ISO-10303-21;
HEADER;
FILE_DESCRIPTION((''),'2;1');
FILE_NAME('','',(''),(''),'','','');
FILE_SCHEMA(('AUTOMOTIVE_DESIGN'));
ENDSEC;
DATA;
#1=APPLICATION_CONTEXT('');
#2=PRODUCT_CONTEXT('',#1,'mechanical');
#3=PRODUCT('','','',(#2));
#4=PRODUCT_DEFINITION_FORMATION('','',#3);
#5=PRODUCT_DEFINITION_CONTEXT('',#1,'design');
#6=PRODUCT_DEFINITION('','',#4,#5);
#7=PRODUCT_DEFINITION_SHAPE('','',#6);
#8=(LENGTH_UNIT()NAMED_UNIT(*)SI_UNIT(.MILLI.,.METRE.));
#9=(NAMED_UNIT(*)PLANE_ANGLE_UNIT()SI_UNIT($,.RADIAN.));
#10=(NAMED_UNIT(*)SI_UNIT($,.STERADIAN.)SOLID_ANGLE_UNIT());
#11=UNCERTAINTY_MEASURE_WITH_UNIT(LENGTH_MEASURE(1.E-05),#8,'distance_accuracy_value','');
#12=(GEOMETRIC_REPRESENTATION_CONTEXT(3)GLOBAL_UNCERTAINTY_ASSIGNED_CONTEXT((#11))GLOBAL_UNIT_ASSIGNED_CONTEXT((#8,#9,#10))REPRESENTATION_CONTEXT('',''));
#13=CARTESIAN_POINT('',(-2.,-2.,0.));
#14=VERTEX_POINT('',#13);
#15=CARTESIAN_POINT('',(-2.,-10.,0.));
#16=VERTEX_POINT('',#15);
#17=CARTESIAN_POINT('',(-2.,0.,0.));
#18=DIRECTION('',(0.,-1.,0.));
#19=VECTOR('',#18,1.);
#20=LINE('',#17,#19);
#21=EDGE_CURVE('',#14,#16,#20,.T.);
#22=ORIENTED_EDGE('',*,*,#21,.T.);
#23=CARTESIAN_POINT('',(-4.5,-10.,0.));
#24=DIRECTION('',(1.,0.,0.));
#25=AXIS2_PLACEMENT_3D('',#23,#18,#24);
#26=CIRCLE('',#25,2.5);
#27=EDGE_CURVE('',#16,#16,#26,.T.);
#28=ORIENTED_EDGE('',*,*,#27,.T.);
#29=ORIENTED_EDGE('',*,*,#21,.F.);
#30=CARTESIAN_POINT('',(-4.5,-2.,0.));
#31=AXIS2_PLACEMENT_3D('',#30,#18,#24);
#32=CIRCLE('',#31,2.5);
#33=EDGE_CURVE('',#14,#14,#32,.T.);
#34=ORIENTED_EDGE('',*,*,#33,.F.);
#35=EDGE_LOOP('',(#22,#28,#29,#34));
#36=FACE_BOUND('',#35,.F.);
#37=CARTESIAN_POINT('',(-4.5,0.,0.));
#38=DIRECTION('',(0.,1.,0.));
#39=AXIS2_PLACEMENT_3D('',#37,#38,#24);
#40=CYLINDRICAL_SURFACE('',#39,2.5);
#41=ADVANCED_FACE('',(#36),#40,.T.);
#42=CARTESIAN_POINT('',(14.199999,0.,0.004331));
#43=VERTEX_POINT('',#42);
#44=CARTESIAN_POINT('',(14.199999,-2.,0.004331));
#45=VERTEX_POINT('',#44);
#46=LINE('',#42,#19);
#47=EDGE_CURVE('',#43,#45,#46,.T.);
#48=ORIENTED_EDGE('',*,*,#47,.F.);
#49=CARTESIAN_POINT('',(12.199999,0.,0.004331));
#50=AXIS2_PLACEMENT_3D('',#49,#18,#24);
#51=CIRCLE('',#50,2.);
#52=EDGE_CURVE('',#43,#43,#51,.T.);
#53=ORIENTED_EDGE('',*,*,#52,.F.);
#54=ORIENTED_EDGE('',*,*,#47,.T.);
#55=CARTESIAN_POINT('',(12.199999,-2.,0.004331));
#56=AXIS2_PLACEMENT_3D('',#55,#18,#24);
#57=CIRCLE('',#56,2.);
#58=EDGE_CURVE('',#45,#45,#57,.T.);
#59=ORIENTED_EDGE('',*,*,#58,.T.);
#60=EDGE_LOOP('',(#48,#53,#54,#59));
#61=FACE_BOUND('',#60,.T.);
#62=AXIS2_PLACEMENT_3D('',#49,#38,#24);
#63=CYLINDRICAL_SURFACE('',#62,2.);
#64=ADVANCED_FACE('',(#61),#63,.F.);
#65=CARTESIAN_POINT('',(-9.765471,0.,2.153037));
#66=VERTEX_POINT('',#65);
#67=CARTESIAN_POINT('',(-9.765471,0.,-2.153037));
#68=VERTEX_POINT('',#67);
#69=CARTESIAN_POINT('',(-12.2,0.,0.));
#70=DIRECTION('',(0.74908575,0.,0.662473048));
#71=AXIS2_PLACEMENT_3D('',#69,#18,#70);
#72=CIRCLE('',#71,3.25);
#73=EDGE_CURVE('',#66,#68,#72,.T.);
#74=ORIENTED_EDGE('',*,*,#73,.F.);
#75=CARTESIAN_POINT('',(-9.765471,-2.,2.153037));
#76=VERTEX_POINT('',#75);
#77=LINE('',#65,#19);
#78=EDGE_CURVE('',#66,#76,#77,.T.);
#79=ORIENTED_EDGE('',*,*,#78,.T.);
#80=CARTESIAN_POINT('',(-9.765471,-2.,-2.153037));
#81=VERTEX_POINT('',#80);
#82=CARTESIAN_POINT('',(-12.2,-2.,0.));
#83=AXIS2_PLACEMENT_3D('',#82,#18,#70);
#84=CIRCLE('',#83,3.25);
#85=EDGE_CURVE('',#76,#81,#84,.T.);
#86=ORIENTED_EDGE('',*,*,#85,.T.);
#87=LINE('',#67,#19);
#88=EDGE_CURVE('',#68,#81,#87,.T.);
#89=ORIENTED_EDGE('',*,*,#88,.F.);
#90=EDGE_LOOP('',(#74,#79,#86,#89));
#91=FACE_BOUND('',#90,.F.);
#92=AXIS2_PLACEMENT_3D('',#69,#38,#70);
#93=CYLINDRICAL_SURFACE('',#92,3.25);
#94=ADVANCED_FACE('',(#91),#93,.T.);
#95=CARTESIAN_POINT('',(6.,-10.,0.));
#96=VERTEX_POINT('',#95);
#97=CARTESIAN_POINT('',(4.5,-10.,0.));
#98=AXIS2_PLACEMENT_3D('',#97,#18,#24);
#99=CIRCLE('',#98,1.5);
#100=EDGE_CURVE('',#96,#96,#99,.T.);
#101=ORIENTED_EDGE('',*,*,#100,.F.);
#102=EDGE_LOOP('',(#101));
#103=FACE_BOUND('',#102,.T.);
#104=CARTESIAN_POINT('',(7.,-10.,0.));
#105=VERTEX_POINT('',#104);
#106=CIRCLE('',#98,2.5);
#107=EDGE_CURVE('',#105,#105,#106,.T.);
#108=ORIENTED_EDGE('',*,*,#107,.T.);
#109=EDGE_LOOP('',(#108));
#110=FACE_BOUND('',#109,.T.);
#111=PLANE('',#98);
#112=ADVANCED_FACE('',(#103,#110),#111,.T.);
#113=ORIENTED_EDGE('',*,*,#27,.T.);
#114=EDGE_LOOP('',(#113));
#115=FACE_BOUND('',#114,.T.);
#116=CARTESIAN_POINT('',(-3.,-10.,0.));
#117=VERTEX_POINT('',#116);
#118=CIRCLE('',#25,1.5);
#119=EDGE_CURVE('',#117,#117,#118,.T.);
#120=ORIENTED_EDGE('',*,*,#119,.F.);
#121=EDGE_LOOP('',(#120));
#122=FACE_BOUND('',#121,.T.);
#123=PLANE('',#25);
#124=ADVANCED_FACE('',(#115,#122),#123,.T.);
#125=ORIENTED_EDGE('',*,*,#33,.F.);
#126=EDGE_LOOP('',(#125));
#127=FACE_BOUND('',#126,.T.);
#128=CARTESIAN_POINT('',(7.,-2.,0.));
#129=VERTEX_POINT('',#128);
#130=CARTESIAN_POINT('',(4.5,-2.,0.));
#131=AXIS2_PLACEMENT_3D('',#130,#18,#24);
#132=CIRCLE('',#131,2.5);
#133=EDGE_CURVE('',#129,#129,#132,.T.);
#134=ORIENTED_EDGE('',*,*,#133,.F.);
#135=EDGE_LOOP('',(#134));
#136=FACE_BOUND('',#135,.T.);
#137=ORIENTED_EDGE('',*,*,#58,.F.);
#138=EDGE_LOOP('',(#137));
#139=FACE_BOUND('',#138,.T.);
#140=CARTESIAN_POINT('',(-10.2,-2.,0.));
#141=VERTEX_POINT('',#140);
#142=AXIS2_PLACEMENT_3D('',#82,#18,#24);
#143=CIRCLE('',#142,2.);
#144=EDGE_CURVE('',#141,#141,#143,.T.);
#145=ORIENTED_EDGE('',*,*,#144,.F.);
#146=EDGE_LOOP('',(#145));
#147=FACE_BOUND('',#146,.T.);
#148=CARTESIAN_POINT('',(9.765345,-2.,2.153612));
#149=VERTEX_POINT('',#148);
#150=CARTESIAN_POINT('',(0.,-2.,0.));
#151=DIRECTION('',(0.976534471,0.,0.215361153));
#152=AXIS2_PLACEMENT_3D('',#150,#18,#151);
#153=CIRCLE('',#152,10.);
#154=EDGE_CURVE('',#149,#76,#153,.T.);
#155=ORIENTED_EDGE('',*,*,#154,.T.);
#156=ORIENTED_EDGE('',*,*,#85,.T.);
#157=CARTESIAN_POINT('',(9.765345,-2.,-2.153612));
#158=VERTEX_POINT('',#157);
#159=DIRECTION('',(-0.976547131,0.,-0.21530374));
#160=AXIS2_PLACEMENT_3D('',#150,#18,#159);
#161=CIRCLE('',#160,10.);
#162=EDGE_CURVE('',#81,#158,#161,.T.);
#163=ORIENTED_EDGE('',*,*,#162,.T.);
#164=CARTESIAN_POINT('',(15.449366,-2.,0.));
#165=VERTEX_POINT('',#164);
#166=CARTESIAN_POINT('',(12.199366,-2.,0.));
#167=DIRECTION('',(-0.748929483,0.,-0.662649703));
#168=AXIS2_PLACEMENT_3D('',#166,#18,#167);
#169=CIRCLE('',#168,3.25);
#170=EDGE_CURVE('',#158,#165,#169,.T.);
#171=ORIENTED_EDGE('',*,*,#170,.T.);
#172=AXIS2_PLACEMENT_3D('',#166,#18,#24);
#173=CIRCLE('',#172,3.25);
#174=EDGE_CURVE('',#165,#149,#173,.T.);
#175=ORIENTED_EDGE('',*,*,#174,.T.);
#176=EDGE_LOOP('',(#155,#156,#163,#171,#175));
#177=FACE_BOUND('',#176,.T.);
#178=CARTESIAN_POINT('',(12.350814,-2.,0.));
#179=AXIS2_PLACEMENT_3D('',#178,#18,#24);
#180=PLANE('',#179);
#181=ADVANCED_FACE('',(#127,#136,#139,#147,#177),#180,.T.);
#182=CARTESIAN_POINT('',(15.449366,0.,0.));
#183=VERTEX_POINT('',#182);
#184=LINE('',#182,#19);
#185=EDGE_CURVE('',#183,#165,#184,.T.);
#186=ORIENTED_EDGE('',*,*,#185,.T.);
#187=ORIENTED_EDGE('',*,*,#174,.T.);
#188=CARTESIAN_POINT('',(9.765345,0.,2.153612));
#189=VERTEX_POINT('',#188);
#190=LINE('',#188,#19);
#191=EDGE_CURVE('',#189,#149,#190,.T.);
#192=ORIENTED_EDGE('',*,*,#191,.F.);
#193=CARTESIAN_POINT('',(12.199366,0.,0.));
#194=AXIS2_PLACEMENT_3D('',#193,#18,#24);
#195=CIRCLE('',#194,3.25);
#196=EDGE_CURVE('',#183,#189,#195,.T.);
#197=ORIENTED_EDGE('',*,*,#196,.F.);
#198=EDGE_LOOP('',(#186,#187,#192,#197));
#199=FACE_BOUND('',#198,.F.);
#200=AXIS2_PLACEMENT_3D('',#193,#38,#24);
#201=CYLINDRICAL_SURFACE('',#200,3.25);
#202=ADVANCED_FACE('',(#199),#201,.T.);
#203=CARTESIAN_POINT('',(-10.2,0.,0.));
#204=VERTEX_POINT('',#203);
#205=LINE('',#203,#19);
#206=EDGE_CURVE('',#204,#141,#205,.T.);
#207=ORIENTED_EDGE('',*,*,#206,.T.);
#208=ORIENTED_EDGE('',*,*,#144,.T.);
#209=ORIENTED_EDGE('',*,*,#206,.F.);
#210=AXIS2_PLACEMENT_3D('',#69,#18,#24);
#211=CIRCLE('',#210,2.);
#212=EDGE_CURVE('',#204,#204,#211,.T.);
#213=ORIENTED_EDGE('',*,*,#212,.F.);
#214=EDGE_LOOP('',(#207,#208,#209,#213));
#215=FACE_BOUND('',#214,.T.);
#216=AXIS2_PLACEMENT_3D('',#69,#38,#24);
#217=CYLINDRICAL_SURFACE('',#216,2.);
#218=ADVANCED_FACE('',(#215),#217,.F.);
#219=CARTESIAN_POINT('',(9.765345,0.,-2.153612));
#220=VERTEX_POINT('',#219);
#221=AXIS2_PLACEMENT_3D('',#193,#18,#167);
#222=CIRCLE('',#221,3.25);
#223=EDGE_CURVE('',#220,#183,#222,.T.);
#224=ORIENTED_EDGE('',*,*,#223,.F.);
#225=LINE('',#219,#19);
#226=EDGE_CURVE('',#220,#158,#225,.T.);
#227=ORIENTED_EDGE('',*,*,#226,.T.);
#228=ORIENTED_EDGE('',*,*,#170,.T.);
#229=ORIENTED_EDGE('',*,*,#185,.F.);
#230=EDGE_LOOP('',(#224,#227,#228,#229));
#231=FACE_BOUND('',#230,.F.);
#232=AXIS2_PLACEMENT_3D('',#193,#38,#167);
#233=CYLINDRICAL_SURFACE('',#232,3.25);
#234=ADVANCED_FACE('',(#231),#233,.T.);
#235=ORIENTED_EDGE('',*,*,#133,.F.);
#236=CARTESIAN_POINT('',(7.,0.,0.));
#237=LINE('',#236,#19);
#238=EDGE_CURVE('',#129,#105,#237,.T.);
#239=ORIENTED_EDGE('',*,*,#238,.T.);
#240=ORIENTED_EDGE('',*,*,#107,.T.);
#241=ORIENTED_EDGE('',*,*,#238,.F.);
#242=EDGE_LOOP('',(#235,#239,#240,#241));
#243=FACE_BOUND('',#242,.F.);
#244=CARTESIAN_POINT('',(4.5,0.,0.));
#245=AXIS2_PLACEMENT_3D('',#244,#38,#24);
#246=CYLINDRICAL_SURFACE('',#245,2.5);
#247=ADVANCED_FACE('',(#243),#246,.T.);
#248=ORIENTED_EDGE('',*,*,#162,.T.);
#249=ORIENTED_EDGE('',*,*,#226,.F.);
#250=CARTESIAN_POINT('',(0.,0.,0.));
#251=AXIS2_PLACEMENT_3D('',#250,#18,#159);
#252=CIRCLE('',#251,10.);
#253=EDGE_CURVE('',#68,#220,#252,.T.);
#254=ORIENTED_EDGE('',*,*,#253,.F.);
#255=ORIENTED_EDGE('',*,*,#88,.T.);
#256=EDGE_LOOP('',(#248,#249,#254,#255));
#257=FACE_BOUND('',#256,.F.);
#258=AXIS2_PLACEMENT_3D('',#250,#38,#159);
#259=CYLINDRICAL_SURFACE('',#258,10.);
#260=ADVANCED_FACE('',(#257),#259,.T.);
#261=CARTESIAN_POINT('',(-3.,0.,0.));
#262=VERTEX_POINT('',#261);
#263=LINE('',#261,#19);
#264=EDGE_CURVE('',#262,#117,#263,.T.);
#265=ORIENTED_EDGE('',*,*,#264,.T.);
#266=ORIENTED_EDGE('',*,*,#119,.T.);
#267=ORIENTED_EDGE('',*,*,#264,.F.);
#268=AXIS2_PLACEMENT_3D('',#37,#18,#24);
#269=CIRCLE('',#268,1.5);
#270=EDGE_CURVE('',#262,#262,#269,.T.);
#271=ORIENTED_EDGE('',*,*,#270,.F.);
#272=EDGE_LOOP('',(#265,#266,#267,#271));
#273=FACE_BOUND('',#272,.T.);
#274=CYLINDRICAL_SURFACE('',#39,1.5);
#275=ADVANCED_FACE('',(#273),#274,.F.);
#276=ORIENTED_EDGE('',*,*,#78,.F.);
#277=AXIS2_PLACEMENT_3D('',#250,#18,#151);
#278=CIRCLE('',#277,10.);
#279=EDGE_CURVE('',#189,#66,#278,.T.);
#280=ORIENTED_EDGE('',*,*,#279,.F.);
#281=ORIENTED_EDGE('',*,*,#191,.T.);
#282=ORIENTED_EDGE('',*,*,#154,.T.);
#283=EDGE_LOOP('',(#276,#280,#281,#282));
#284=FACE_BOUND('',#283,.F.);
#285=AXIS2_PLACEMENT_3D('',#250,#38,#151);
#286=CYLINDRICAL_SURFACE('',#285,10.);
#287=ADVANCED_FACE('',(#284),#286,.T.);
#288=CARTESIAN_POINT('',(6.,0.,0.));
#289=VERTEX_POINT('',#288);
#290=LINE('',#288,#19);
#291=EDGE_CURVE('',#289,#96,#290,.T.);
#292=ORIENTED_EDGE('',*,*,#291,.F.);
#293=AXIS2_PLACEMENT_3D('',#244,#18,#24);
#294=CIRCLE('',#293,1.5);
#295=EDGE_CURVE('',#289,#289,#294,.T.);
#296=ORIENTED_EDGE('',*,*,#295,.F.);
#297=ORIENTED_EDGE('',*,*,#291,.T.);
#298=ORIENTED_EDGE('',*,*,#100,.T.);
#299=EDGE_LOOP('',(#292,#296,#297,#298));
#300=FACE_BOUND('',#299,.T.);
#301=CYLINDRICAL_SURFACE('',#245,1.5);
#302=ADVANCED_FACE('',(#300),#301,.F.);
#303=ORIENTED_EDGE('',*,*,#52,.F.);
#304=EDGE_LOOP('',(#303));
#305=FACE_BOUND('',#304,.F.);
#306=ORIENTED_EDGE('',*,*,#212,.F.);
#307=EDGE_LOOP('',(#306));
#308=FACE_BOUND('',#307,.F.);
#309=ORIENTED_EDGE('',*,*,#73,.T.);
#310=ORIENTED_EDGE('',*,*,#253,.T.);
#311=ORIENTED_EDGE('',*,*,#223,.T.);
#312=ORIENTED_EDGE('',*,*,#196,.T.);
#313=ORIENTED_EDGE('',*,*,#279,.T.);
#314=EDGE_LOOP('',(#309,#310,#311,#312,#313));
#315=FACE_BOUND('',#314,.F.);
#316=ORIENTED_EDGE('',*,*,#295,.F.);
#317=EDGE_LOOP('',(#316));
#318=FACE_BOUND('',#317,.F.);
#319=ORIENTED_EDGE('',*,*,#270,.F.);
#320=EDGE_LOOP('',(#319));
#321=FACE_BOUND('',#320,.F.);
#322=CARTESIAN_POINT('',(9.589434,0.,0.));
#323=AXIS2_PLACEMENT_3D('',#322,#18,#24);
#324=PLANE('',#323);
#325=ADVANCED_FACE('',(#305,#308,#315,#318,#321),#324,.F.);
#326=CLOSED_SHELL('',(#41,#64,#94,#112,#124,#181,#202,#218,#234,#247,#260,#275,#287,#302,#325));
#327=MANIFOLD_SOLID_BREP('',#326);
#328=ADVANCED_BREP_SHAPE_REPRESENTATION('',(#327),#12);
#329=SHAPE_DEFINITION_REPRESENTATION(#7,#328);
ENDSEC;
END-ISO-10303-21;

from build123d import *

# Parameters (mm, degrees)
F0_R     = 2.5
F1_DEPTH = 2
F0_R_2   = 1.5
F2_DEPTH = 10
F3_DEPTH = 2
F0_R_3   = 2
F4_DEPTH = 2
F5_DEPTH = 2


with BuildPart() as f1:
    # F0 (on Front) → F1 (new body)
    with BuildSketch(Plane.XZ):
        with BuildLine():
            ThreePointArc((9.7653447127, -2.1536115346), (8.9493655339, 0), (9.7653447127, 2.1536115346))
            ThreePointArc((9.7653447127, 2.1536115346), (-0.0002939612, 9.9999999957), (-9.7654713115, 2.1530374044))
            ThreePointArc((-9.7654713115, 2.1530374044), (-9.1606975934, 1.1511476366), (-8.95, 0))
            ThreePointArc((-8.95, 0), (-9.1606975934, -1.1511476366), (-9.7654713115, -2.1530374044))
            ThreePointArc((-9.7654713115, -2.1530374044), (-0.0002939612, -9.9999999957), (9.7653447127, -2.1536115346))
        make_face()
        with Locations((-4.5, 0)):
            Circle(F0_R, mode=Mode.SUBTRACT)
        with Locations((4.5, 0)):
            Circle(F0_R, mode=Mode.SUBTRACT)
    extrude(amount=F1_DEPTH)

    # F0 (on Front) → F2 (join)
    with BuildSketch(Plane.XZ):
        with Locations((-4.5, 0)):
            Circle(F0_R)
        with Locations((-4.5, 0)):
            Circle(F0_R_2, mode=Mode.SUBTRACT)
        with Locations((4.5, 0)):
            Circle(F0_R)
        with Locations((4.5, 0)):
            Circle(F0_R_2, mode=Mode.SUBTRACT)
    extrude(amount=F2_DEPTH)

    # F0 (on Front) → F3 (join)
    with BuildSketch(Plane.XZ):
        with BuildLine():
            ThreePointArc((9.7653447127, -2.1536115346), (8.9493655339, 0), (9.7653447127, 2.1536115346))
            ThreePointArc((9.7653447127, 2.1536115346), (-0.0002939612, 9.9999999957), (-9.7654713115, 2.1530374044))
            ThreePointArc((-9.7654713115, 2.1530374044), (-9.1606975934, 1.1511476366), (-8.95, 0))
            ThreePointArc((-8.95, 0), (-9.1606975934, -1.1511476366), (-9.7654713115, -2.1530374044))
            ThreePointArc((-9.7654713115, -2.1530374044), (-0.0002939612, -9.9999999957), (9.7653447127, -2.1536115346))
        make_face()
        with Locations((-4.5, 0)):
            Circle(F0_R, mode=Mode.SUBTRACT)
        with Locations((4.5, 0)):
            Circle(F0_R, mode=Mode.SUBTRACT)
    extrude(amount=F3_DEPTH)

    # F0 (on Front) → F4 (join)
    with BuildSketch(Plane.XZ):
        with BuildLine():
            ThreePointArc((9.7653447127, 2.1536115346), (9.9411630891, 1.0831788571), (10, 0))
            ThreePointArc((10, 0), (9.9411630891, -1.0831788571), (9.7653447127, -2.1536115346))
            ThreePointArc((9.7653447127, -2.1536115346), (13.3508715762, -3.0391666349), (15.4493655339, 0))
            ThreePointArc((15.4493655339, 0), (13.3508715762, 3.0391666349), (9.7653447127, 2.1536115346))
        make_face()
        with Locations((12.1999992313, 0.0043308363)):
            Circle(F0_R_3, mode=Mode.SUBTRACT)
        with BuildLine():
            ThreePointArc((-9.7654713115, -2.1530374044), (-10, 0), (-9.7654713115, 2.1530374044))
            ThreePointArc((-9.7654713115, 2.1530374044), (-15.45, 0), (-9.7654713115, -2.1530374044))
        make_face()
        with Locations((-12.2, 0)):
            Circle(F0_R_3, mode=Mode.SUBTRACT)
    extrude(amount=F4_DEPTH)

    # F0 (on Front) → F5 (join)
    with BuildSketch(Plane.XZ):
        with BuildLine():
            ThreePointArc((9.7653447127, -2.1536115346), (9.9411630891, -1.0831788571), (10, 0))
            ThreePointArc((10, 0), (9.9411630891, 1.0831788571), (9.7653447127, 2.1536115346))
            ThreePointArc((9.7653447127, 2.1536115346), (8.9493655339, 0), (9.7653447127, -2.1536115346))
        make_face()
        with BuildLine():
            ThreePointArc((-8.95, 0), (-9.1606975934, 1.1511476366), (-9.7654713115, 2.1530374044))
            ThreePointArc((-9.7654713115, 2.1530374044), (-10, 0), (-9.7654713115, -2.1530374044))
            ThreePointArc((-9.7654713115, -2.1530374044), (-9.1606975934, -1.1511476366), (-8.95, 0))
        make_face()
    extrude(amount=F5_DEPTH)


solid = f1.part
